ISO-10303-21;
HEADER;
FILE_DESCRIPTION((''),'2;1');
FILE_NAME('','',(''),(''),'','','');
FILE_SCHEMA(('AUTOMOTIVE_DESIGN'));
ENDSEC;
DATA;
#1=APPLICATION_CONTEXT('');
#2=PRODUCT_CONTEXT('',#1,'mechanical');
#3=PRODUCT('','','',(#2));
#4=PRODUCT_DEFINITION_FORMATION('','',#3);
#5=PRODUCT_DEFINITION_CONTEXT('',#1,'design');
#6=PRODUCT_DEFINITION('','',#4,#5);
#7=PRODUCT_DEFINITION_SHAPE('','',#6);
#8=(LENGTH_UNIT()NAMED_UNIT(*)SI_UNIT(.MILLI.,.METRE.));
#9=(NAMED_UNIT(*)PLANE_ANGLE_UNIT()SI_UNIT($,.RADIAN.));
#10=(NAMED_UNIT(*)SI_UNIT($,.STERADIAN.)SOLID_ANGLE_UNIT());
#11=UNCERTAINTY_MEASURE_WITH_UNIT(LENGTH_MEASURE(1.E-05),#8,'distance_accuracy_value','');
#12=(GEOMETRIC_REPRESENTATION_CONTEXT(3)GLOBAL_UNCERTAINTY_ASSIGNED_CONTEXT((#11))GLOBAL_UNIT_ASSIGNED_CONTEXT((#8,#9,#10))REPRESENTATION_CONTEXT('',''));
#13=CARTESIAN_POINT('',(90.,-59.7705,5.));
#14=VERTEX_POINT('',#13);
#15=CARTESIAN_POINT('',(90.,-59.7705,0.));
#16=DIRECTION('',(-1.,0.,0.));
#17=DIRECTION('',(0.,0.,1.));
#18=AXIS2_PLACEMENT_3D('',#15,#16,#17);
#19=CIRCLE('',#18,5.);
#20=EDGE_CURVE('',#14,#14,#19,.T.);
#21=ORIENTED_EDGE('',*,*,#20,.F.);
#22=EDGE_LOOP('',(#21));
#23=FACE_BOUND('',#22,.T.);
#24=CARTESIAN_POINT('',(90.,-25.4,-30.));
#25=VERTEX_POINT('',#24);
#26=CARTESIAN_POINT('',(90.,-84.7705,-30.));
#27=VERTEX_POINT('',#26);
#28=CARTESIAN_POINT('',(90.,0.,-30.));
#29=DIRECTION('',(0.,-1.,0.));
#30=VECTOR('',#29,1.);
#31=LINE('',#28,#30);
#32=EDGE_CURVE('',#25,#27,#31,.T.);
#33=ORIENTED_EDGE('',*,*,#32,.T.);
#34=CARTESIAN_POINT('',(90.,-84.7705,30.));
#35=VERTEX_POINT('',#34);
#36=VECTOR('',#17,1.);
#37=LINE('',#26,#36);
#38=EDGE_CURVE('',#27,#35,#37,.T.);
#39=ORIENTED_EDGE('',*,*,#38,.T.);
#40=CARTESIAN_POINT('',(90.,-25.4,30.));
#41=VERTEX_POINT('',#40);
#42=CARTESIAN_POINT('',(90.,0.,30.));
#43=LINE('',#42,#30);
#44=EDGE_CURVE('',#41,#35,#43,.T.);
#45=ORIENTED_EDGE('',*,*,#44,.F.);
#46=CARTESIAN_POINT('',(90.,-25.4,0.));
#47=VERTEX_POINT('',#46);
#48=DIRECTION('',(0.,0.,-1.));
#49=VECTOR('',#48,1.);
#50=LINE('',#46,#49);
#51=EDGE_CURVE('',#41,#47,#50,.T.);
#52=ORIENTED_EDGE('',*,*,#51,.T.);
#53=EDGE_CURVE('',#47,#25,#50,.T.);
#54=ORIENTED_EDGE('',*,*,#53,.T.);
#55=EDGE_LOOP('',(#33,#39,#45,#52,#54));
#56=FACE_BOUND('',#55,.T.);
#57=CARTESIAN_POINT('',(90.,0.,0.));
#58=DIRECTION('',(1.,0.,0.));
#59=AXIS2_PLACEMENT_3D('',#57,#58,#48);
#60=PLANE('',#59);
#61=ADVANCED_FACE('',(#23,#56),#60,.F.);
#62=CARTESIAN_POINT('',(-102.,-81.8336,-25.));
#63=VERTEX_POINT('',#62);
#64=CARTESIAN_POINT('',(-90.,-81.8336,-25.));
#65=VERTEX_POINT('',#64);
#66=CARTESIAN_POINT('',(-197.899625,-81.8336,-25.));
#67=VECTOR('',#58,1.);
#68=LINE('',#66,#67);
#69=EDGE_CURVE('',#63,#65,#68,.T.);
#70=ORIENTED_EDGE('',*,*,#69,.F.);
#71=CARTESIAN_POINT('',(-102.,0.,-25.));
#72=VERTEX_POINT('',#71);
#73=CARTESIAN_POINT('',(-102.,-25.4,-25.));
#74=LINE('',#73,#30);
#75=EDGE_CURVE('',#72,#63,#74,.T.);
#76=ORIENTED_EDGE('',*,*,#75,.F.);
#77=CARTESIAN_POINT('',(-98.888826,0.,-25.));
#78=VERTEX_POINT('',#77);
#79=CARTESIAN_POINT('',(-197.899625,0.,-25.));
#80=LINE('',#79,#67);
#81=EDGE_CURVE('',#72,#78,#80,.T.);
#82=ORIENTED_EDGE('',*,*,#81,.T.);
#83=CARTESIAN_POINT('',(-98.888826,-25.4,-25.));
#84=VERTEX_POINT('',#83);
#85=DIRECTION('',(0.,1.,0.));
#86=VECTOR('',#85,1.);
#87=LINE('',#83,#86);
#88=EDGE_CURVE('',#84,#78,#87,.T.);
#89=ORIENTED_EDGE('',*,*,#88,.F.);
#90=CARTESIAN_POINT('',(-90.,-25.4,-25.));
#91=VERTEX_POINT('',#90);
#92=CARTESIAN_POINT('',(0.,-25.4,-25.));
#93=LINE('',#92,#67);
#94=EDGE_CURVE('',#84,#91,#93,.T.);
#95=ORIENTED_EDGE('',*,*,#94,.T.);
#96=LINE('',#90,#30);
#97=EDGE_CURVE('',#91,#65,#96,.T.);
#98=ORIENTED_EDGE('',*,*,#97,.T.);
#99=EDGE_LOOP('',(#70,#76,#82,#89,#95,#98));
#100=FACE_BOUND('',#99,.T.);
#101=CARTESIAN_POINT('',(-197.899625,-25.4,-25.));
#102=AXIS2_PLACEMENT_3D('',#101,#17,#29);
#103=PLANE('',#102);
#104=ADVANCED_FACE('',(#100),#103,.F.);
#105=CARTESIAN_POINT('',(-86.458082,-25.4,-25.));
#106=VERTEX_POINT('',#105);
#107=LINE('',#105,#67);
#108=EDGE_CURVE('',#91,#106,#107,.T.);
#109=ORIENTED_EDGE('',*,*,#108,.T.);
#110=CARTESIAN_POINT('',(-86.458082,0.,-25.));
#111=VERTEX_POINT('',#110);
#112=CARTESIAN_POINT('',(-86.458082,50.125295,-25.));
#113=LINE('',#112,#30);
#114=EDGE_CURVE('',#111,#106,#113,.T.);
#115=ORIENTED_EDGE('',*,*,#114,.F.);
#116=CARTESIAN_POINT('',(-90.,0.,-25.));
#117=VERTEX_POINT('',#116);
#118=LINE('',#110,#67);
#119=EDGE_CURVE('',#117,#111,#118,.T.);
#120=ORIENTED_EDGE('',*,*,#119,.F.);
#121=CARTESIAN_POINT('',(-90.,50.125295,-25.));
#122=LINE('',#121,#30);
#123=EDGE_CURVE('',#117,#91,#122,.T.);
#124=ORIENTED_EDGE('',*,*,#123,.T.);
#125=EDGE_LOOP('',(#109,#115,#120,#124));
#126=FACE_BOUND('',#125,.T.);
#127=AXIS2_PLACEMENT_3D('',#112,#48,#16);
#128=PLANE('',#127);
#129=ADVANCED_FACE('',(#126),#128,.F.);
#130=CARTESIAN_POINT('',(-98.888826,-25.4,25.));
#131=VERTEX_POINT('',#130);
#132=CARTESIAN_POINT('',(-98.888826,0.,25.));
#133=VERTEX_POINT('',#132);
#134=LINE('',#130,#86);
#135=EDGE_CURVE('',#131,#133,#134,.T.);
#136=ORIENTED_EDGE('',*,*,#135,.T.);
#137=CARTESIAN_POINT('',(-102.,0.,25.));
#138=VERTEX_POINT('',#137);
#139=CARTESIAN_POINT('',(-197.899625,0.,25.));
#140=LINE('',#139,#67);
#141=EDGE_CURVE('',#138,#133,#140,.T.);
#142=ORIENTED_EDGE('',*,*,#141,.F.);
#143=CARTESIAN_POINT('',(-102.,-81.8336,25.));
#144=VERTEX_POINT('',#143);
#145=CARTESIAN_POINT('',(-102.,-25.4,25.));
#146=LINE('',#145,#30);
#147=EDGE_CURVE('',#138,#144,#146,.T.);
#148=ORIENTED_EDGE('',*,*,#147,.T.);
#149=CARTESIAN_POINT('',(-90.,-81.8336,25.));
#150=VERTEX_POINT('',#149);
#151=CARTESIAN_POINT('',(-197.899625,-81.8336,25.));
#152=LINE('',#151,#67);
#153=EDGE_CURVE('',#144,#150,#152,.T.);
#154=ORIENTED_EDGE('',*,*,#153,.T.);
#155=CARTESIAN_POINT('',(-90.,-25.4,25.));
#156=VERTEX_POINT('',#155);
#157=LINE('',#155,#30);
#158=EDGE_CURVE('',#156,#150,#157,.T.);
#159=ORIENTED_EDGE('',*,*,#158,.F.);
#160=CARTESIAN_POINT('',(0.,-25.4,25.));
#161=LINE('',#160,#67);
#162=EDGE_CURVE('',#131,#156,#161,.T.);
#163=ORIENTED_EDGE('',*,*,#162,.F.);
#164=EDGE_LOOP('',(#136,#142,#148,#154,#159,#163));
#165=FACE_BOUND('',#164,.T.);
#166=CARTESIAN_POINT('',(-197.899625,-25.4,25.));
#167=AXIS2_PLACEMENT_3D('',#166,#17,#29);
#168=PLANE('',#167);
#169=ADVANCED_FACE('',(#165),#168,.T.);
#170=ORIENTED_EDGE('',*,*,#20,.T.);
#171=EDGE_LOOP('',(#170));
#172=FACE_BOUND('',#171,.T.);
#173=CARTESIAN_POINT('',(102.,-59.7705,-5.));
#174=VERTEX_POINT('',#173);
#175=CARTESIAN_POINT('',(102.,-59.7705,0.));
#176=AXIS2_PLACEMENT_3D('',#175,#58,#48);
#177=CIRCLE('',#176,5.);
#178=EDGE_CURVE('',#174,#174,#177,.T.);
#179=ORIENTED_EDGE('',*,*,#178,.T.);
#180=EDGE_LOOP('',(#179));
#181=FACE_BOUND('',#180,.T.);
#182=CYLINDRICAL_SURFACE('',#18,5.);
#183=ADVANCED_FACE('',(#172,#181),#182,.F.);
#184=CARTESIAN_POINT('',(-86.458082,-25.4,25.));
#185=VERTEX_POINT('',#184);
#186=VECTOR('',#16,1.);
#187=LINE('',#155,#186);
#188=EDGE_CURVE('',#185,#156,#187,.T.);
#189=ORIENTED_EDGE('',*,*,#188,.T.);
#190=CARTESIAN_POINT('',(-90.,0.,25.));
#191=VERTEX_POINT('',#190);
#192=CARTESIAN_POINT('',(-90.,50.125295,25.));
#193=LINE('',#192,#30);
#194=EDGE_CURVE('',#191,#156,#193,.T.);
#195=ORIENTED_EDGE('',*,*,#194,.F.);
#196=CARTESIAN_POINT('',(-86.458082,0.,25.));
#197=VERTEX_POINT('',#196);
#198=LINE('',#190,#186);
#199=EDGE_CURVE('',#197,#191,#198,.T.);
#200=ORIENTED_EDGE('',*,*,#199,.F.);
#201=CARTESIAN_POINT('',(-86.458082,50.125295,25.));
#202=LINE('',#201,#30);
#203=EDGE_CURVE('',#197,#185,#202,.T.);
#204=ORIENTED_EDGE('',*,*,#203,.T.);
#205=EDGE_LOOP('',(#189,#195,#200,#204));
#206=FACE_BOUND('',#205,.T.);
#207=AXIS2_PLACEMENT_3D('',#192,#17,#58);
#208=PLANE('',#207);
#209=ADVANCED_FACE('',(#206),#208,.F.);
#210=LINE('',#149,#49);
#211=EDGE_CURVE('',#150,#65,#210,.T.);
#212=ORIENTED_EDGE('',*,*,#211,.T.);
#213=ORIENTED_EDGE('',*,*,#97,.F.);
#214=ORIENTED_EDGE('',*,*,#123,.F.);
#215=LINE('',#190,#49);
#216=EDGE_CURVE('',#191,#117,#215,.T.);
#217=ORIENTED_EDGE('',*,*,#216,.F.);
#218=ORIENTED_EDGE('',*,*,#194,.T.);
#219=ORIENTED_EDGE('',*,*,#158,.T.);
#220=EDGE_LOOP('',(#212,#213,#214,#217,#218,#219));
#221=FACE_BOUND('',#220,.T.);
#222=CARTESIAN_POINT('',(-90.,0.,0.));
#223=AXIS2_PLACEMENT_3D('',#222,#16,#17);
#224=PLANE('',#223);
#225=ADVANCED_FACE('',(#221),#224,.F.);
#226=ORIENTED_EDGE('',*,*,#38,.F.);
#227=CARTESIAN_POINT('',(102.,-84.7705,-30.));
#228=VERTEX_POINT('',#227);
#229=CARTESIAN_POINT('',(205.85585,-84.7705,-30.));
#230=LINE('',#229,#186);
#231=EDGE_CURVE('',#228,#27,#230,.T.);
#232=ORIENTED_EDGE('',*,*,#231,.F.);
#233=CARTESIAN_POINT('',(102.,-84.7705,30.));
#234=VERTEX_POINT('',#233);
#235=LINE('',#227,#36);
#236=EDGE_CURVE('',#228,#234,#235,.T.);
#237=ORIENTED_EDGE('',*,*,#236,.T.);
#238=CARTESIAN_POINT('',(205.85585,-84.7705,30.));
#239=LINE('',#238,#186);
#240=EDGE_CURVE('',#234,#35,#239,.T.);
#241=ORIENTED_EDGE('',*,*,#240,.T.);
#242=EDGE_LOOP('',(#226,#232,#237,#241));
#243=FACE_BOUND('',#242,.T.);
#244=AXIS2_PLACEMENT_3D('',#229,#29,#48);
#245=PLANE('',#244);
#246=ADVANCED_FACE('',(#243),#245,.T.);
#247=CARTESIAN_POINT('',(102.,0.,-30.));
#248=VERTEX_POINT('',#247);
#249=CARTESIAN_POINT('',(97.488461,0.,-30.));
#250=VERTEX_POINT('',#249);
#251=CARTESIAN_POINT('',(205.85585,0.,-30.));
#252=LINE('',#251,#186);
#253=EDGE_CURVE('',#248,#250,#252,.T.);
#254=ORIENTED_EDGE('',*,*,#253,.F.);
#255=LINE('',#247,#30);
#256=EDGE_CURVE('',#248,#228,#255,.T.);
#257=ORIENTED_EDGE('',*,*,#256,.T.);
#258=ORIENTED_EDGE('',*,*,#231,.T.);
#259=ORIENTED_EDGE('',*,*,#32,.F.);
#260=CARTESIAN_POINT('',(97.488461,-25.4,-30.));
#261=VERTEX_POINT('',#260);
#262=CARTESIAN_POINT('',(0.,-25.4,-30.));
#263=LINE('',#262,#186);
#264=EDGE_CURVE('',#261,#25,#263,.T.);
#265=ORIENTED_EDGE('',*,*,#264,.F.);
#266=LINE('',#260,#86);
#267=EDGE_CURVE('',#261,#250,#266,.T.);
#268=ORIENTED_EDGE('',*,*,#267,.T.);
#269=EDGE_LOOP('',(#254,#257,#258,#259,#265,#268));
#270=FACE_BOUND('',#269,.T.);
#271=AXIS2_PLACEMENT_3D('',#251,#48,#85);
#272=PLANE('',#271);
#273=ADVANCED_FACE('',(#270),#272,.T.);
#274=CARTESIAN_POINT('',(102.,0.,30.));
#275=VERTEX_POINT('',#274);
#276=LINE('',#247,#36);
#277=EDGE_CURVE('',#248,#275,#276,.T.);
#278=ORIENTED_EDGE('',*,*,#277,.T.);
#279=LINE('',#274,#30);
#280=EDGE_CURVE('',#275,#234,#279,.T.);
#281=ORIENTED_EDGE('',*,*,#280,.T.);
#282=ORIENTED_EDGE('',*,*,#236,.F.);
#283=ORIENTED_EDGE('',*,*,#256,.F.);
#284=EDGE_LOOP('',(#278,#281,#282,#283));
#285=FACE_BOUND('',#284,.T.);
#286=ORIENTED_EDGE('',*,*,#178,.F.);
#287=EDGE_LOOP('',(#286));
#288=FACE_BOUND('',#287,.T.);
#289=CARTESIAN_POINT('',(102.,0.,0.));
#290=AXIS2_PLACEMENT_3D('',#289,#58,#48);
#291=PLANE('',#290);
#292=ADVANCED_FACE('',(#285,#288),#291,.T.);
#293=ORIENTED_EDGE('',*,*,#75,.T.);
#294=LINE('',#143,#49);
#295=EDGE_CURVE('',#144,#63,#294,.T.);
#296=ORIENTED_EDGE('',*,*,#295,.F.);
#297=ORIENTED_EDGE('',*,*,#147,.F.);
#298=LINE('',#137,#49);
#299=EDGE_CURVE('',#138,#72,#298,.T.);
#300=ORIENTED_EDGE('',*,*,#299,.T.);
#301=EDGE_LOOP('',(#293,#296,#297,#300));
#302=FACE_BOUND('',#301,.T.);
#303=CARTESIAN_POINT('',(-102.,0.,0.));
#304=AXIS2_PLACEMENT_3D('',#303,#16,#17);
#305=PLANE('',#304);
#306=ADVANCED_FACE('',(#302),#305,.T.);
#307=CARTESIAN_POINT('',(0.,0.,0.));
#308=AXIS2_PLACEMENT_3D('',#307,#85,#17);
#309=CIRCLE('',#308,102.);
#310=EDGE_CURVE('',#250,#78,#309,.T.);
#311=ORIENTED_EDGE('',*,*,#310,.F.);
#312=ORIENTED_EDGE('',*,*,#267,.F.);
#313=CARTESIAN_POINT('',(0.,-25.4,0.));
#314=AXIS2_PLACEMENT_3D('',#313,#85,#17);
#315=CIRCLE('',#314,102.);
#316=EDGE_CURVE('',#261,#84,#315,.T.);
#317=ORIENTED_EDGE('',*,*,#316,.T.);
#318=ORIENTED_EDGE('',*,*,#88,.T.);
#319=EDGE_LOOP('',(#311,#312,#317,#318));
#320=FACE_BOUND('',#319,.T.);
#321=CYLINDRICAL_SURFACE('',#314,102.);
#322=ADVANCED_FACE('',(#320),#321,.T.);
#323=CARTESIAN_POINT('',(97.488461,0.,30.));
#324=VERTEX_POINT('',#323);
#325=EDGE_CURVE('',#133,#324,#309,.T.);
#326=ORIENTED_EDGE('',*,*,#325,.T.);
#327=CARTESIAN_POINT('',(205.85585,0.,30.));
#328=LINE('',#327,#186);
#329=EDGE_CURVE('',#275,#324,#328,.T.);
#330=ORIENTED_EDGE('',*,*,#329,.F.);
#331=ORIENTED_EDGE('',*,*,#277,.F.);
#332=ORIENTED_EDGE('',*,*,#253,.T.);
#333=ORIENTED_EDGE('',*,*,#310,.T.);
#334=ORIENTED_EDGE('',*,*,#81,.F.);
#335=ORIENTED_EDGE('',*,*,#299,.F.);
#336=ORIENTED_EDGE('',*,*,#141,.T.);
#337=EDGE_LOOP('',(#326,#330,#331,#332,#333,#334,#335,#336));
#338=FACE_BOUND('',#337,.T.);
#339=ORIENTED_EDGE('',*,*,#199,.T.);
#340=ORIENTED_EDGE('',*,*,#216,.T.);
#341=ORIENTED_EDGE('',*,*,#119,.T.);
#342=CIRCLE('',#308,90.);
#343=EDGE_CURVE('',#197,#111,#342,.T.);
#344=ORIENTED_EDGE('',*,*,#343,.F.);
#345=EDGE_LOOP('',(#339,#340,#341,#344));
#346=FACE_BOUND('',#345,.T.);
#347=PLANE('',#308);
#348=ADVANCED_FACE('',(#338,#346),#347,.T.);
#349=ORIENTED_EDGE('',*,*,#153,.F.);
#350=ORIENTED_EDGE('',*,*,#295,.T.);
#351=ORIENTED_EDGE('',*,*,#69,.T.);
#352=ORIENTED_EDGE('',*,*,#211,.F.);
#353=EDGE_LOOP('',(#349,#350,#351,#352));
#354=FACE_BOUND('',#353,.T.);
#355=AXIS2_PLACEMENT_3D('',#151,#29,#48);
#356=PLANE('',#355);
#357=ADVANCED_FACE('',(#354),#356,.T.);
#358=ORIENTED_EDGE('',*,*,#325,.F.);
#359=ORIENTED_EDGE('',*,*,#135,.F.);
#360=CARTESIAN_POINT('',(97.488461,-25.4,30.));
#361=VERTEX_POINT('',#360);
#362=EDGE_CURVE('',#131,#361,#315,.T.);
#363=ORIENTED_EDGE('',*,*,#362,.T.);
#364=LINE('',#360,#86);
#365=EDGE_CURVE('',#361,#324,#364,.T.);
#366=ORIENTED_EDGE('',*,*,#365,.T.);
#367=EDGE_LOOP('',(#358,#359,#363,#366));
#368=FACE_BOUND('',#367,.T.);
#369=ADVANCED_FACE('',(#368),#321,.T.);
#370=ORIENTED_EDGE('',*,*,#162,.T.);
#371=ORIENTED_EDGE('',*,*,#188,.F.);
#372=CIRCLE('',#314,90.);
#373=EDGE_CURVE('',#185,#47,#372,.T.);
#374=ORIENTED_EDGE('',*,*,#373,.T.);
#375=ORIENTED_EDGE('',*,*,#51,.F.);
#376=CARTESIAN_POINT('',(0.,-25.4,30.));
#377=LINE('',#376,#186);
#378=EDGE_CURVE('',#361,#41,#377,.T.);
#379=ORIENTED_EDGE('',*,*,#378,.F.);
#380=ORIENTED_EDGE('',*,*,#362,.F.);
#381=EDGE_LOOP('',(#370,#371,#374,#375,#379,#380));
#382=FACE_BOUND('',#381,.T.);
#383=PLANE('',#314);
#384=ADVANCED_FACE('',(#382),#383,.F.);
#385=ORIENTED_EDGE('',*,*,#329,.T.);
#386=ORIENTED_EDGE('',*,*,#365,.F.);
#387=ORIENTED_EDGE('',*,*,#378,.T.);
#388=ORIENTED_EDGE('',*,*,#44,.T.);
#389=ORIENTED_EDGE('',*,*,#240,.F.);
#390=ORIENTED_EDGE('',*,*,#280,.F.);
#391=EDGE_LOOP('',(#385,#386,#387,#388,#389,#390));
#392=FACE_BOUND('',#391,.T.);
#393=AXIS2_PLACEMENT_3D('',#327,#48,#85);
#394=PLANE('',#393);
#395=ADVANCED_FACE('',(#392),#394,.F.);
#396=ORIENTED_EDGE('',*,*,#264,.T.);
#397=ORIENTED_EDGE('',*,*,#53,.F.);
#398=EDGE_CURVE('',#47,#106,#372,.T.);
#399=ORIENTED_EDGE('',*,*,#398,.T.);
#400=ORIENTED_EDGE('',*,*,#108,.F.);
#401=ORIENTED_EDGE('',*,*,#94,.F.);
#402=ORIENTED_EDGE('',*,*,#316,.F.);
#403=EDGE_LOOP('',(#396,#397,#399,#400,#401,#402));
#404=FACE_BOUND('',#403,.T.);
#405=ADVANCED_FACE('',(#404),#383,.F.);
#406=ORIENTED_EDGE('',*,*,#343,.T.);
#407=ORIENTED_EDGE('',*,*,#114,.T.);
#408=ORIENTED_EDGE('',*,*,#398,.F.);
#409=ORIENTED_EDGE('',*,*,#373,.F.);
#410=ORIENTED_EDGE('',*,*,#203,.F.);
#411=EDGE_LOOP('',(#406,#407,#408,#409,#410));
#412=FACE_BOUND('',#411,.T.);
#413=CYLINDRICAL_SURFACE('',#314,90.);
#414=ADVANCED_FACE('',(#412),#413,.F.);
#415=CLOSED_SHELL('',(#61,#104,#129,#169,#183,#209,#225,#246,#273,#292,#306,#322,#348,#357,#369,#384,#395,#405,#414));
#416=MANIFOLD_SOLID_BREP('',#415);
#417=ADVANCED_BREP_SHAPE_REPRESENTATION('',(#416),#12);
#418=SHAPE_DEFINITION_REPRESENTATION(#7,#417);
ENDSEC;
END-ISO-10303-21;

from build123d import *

# Parameters (mm, degrees)
SKETCH1_R                = 102
SKETCH1_R_2              = 90
BOSS_EXTRUDE1_DEPTH      = 25.4
BOSS_EXTRUDE4_DEPTH      = 12
SKETCH14_W               = 3.541917671
SKETCH14_H               = 50
CUT_EXTRUDE2_DEPTH       = 25.4
SKETCH8_W                = 60
SKETCH8_H                = 84.7705
BOSS_EXTRUDE5_DEPTH      = 12
M8_CLEARANCE_HOLE1_D     = 10
M8_CLEARANCE_HOLE1_DEPTH = 12


with BuildPart() as part:
    # Sketch1 → Boss-Extrude1 (new body)
    with BuildSketch(Plane(origin=(0, 0, 0), x_dir=(1, 0, 0), z_dir=(0, 1, 0))):
        Circle(SKETCH1_R)
        Circle(SKETCH1_R_2, mode=Mode.SUBTRACT)
    extrude(amount=-BOSS_EXTRUDE1_DEPTH)

    # Sketch7 → Boss-Extrude4 (add)
    with BuildSketch(Plane(origin=(-90, 0, 0), x_dir=(0, 0, -1), z_dir=(1, 0, 0))):
        Polygon((-25, -25.4), (-25, -81.8336), (25, -81.8336), (25, -25.4), (25, 0), (-25, 0), align=None)
    extrude(amount=-BOSS_EXTRUDE4_DEPTH)

    # Sketch14 → Cut-Extrude2 (cut)
    with BuildSketch(Plane.XZ.offset(25.4)):
        with Locations((-88.229041165, 0)):
            Rectangle(SKETCH14_W, SKETCH14_H)
    extrude(amount=-CUT_EXTRUDE2_DEPTH, mode=Mode.SUBTRACT)

    # Sketch8 → Boss-Extrude5 (add)
    with BuildSketch(Plane.ZY.offset(-90)):
        with Locations((0, -42.38525)):
            Rectangle(SKETCH8_W, SKETCH8_H)
    extrude(amount=-BOSS_EXTRUDE5_DEPTH)

    # M8 Clearance Hole1
    with Locations(Plane.ZY.offset(-90)):
        with Locations((0, -59.7705)):
            Hole(M8_CLEARANCE_HOLE1_D / 2, depth=M8_CLEARANCE_HOLE1_DEPTH)


solid = part.part
